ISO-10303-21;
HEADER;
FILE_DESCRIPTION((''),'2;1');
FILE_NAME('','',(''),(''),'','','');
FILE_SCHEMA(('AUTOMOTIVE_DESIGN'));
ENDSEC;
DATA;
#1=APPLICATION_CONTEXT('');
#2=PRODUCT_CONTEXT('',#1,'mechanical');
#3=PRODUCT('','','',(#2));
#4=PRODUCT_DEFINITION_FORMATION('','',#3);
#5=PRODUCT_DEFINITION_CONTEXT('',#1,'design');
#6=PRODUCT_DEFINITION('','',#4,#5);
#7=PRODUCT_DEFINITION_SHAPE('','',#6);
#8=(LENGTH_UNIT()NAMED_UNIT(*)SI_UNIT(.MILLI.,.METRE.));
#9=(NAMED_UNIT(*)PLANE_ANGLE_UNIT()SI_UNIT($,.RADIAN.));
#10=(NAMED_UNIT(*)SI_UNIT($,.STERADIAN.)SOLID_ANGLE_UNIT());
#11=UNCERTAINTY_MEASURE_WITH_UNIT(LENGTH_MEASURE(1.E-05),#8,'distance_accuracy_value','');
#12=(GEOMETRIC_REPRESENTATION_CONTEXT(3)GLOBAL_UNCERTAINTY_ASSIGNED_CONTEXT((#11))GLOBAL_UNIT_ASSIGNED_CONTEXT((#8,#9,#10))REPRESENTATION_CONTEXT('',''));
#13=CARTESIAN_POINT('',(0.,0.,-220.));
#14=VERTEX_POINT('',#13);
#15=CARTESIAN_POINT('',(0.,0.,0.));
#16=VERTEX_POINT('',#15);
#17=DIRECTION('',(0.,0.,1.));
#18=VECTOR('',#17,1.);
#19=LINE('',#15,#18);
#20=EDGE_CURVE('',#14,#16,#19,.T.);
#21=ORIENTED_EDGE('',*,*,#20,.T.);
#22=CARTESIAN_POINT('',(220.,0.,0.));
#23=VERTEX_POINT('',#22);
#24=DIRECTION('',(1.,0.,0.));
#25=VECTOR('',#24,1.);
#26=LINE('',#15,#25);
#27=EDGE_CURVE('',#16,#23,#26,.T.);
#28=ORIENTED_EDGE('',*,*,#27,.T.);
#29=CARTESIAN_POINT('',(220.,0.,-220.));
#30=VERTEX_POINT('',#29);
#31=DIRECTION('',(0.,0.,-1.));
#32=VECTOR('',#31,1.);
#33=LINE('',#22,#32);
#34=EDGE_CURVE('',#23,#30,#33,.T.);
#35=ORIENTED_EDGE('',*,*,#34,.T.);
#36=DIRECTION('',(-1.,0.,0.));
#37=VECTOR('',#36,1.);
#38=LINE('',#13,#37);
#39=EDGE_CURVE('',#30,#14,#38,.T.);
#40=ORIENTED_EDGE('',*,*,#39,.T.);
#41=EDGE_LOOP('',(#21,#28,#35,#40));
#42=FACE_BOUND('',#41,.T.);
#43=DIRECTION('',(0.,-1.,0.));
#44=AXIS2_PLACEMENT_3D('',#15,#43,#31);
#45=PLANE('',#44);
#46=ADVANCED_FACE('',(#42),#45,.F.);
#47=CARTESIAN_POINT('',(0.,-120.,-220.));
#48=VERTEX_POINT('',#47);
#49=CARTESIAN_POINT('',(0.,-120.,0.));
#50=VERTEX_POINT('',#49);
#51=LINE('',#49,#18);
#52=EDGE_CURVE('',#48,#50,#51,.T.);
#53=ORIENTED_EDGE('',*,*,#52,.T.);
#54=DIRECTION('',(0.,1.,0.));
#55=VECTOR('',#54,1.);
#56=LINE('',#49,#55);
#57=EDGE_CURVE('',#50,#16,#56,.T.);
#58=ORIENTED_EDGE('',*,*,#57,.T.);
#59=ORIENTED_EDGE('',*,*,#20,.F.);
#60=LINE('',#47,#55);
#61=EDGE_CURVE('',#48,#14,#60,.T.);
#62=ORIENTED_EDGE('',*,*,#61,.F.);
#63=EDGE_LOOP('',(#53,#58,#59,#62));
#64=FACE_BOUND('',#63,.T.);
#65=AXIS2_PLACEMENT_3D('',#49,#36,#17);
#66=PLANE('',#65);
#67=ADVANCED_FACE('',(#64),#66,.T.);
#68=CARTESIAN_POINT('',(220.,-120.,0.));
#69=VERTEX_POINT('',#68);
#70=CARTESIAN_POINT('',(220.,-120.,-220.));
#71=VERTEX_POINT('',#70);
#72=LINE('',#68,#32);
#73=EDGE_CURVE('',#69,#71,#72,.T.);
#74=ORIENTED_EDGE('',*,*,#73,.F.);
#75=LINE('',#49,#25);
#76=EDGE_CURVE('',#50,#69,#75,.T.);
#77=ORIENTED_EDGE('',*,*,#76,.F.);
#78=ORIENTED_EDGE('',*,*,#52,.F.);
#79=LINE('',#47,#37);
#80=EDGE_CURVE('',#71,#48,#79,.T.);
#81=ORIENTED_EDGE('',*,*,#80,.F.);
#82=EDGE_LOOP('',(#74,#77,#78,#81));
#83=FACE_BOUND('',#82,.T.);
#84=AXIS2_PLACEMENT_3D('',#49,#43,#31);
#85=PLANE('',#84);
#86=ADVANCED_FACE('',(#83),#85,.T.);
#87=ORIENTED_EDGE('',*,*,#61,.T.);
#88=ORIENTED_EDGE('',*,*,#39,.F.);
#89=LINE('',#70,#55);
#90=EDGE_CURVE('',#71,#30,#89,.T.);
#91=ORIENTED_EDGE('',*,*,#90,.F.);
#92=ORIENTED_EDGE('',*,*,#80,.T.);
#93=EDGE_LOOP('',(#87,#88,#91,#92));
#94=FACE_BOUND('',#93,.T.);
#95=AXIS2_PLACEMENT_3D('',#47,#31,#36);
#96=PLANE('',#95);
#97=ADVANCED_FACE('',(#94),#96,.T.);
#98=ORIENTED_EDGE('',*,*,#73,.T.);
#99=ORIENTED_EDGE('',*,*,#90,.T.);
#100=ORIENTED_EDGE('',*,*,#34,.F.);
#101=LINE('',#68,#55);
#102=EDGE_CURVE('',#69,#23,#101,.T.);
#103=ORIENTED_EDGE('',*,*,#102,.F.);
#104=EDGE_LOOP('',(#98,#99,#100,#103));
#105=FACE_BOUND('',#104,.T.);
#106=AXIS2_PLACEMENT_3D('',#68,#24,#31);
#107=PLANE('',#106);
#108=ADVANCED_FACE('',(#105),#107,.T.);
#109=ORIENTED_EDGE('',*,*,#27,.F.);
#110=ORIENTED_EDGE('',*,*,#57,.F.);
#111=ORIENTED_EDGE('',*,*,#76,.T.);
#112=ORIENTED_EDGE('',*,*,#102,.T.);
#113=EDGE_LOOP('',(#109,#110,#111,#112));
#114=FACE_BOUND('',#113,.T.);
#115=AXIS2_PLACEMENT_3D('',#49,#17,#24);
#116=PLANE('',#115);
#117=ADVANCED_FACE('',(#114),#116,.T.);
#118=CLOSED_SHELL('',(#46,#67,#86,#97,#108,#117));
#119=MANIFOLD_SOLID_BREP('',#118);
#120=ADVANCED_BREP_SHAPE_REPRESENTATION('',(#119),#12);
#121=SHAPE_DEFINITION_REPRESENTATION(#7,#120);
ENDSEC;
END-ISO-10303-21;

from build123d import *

# Parameters (mm, degrees)
SKETCH1_W           = 220
SKETCH1_H           = 220
BOSS_EXTRUDE1_DEPTH = 120


with BuildPart() as part:
    # Sketch1 → Boss-Extrude1 (new body)
    with BuildSketch(Plane(origin=(0, 0, 0), x_dir=(1, 0, 0), z_dir=(0, 1, 0))):
        with Locations((110, 110)):
            Rectangle(SKETCH1_W, SKETCH1_H)
    extrude(amount=-BOSS_EXTRUDE1_DEPTH)


solid = part.part
